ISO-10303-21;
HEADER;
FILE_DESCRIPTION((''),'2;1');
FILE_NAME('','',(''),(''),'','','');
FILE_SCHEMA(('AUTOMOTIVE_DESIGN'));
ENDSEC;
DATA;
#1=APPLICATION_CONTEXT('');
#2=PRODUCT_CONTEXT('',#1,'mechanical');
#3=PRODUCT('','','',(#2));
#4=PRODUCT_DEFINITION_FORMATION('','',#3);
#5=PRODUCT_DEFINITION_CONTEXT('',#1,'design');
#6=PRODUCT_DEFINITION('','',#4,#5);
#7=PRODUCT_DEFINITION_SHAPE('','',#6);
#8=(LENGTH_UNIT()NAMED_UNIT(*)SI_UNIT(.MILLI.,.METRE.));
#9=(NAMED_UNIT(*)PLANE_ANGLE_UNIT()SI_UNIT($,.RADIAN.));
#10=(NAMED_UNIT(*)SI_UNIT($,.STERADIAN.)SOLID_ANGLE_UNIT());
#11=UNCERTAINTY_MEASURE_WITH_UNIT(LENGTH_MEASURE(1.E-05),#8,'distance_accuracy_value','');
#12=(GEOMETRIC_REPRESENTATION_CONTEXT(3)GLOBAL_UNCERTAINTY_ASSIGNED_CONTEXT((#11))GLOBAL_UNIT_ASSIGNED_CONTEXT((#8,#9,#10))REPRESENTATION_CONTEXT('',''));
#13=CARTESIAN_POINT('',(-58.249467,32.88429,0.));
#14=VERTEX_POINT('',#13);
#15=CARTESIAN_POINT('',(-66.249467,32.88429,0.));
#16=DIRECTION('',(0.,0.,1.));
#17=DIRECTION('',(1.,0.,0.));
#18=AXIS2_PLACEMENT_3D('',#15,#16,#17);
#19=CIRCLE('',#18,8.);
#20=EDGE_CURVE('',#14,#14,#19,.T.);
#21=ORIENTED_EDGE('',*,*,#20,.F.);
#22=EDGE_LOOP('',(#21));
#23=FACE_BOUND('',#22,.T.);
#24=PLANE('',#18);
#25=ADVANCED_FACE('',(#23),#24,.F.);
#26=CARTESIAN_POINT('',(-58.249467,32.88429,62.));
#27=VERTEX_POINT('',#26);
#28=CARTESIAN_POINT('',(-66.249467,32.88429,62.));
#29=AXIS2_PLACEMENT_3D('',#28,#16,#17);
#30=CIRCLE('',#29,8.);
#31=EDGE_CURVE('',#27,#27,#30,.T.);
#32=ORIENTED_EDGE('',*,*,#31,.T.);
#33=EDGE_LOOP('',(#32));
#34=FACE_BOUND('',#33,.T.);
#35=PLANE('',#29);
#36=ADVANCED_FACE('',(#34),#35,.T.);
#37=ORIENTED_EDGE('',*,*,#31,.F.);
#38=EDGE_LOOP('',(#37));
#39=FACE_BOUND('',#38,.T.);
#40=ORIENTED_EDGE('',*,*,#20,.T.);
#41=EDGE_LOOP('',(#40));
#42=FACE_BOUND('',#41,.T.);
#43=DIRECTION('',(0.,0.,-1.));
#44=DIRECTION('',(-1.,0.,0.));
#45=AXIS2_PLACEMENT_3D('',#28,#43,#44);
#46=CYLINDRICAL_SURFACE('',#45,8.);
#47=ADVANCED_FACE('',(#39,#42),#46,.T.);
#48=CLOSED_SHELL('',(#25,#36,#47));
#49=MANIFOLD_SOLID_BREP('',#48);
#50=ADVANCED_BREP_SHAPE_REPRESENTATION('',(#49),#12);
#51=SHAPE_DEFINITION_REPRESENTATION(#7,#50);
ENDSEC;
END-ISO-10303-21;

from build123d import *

# Parameters (mm, degrees)
SKETCH2_R           = 8
BOSS_EXTRUDE1_DEPTH = 62


with BuildPart() as part:
    # Sketch2 → Boss-Extrude1 (new body)
    with BuildSketch(Plane.XY):
        with Locations((-66.249466535, 32.884290271)):
            Circle(SKETCH2_R)
    extrude(amount=BOSS_EXTRUDE1_DEPTH)


solid = part.part
